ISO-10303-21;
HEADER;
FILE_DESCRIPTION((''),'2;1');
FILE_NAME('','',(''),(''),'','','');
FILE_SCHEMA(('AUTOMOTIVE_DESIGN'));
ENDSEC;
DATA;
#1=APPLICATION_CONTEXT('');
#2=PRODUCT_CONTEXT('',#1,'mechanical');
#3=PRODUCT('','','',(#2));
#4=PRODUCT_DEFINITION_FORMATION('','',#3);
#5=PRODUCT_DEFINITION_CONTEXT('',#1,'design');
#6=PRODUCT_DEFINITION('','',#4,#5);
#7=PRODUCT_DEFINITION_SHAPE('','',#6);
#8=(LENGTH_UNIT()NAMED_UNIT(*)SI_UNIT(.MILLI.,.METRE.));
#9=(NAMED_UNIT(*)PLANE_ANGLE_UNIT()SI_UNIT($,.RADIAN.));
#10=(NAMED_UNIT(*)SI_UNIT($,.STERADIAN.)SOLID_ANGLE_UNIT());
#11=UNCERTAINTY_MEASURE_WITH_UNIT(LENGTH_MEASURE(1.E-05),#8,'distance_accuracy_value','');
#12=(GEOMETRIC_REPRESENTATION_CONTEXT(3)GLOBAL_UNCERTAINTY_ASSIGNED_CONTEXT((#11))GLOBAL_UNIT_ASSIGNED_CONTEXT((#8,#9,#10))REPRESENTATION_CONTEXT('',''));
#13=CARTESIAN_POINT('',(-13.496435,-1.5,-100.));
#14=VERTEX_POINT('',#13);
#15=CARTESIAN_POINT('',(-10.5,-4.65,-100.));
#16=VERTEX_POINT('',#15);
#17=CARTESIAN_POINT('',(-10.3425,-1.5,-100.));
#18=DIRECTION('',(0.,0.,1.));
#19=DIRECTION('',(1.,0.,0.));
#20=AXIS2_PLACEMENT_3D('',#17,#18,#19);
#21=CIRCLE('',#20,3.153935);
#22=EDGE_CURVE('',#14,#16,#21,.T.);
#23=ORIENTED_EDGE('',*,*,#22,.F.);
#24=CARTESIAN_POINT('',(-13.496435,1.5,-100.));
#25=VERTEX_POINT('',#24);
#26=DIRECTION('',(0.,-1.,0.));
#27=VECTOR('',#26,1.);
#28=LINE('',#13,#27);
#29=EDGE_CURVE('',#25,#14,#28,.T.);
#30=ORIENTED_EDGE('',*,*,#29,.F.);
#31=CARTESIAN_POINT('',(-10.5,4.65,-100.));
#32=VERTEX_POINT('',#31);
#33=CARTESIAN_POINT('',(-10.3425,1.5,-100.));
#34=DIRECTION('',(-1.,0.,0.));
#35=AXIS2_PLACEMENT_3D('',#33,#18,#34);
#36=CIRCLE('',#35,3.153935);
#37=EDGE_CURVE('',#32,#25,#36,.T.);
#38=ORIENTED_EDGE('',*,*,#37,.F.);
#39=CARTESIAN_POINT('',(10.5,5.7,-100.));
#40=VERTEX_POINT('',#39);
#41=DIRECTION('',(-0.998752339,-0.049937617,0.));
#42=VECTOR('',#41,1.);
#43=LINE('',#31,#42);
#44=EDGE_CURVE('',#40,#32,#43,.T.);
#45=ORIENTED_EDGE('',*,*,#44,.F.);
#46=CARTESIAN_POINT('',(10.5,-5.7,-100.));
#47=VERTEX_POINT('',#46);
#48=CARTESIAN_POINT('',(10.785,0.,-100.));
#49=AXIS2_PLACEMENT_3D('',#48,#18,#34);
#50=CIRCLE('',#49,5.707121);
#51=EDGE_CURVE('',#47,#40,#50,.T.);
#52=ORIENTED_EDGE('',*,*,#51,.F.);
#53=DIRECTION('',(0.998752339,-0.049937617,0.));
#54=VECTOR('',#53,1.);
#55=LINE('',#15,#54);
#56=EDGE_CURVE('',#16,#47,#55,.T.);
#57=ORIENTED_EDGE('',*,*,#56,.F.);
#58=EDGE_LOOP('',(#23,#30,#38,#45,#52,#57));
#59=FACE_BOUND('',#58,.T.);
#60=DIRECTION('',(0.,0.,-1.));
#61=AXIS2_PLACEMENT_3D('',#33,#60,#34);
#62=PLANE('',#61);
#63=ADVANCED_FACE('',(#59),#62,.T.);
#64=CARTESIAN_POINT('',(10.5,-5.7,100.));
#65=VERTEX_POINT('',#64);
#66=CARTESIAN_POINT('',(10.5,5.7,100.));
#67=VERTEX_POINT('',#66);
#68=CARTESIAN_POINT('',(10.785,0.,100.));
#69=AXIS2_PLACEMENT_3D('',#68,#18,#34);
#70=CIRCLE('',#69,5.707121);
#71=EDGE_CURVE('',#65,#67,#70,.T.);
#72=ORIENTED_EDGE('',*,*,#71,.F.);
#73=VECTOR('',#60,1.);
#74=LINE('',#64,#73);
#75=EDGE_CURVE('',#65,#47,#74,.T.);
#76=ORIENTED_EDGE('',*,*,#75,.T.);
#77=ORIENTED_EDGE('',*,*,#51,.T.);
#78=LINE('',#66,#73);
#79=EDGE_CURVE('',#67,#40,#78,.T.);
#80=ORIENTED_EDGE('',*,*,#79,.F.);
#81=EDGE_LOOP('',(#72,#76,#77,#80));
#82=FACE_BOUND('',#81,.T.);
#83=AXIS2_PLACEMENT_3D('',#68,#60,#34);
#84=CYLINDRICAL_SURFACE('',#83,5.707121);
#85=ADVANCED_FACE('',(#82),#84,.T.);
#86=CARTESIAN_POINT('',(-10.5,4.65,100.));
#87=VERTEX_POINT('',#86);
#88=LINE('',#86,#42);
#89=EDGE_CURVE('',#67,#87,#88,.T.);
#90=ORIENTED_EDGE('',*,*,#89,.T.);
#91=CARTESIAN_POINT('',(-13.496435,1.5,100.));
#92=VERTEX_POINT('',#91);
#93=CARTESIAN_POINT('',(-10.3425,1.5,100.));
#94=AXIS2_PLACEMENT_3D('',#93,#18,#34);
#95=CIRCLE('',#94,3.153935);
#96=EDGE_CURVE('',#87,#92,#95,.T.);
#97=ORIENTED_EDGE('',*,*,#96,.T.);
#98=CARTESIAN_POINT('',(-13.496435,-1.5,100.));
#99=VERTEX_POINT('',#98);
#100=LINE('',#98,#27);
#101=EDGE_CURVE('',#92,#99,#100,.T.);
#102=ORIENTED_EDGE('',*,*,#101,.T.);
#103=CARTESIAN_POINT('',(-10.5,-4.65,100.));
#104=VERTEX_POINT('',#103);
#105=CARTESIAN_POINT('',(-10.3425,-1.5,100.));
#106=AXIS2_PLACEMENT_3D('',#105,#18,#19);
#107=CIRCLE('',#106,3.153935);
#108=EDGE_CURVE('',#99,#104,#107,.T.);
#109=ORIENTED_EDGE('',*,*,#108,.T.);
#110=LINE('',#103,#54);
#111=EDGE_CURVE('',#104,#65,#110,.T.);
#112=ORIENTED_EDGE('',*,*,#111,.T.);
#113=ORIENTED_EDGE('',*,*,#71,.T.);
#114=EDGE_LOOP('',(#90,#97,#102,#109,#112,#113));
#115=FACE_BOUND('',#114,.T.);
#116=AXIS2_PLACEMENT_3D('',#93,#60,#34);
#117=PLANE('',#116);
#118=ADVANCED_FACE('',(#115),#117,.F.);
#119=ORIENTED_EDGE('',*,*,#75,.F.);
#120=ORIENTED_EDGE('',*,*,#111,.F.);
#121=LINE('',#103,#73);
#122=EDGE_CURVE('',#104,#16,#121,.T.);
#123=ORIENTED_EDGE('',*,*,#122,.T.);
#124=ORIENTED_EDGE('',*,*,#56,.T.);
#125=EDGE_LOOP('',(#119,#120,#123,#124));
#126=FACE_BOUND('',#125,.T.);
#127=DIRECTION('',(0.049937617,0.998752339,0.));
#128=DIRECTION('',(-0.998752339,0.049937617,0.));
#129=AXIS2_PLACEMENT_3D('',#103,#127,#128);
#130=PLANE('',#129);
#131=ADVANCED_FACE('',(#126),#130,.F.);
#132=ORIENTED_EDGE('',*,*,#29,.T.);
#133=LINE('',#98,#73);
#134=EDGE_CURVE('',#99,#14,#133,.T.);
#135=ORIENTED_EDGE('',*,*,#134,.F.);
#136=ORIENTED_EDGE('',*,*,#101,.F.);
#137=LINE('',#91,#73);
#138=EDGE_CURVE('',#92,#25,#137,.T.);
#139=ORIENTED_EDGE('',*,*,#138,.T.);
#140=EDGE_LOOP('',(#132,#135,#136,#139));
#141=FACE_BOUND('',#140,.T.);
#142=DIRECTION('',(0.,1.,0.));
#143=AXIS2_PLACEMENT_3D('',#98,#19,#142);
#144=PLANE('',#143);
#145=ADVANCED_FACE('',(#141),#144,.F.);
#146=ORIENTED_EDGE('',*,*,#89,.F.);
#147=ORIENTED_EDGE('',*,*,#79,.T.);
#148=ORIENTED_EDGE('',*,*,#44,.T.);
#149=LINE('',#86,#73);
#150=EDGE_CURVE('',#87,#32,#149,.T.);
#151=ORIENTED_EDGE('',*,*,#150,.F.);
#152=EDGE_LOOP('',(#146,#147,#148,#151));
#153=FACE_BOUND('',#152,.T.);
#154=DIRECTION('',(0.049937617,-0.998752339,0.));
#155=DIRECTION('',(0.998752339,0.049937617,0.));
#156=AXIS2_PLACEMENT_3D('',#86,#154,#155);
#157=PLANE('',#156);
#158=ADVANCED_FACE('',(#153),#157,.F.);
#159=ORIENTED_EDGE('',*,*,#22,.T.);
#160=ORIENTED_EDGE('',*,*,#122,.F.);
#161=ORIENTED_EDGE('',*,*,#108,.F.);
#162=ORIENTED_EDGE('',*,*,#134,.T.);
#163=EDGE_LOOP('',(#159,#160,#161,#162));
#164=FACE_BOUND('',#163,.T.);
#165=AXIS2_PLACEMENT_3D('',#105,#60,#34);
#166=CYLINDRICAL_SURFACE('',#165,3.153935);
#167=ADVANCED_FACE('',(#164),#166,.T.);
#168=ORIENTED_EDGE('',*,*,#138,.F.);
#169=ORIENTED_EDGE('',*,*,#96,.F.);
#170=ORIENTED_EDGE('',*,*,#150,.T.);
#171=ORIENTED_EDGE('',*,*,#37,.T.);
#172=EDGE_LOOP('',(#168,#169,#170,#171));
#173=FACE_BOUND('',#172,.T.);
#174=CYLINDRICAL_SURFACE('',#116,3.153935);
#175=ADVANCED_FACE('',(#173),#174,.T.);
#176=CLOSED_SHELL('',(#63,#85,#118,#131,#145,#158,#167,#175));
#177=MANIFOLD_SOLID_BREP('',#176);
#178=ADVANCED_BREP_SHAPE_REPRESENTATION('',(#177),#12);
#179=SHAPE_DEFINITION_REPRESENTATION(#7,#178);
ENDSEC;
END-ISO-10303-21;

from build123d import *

# Parameters (mm, degrees)
BOSS_EXTRUDE1_DEPTH = 100


with BuildPart() as part:
    # Sketch1 → Boss-Extrude1 (new, symmetric)
    with BuildSketch(Plane.XY):
        with BuildLine():
            Line((-13.496435042, -1.5), (-13.496435042, 1.5))
            ThreePointArc((-13.496435042, 1.5), (-12.627675159, 3.673771087), (-10.5, 4.65))
            Line((-10.5, 4.65), (10.5, 5.7))
            ThreePointArc((10.5, 5.7), (16.492120552, 0), (10.5, -5.7))
            Line((10.5, -5.7), (-10.5, -4.65))
            ThreePointArc((-10.5, -4.65), (-12.627675159, -3.673771087), (-13.496435042, -1.5))
        make_face()
    extrude(amount=BOSS_EXTRUDE1_DEPTH, both=True)


solid = part.part
